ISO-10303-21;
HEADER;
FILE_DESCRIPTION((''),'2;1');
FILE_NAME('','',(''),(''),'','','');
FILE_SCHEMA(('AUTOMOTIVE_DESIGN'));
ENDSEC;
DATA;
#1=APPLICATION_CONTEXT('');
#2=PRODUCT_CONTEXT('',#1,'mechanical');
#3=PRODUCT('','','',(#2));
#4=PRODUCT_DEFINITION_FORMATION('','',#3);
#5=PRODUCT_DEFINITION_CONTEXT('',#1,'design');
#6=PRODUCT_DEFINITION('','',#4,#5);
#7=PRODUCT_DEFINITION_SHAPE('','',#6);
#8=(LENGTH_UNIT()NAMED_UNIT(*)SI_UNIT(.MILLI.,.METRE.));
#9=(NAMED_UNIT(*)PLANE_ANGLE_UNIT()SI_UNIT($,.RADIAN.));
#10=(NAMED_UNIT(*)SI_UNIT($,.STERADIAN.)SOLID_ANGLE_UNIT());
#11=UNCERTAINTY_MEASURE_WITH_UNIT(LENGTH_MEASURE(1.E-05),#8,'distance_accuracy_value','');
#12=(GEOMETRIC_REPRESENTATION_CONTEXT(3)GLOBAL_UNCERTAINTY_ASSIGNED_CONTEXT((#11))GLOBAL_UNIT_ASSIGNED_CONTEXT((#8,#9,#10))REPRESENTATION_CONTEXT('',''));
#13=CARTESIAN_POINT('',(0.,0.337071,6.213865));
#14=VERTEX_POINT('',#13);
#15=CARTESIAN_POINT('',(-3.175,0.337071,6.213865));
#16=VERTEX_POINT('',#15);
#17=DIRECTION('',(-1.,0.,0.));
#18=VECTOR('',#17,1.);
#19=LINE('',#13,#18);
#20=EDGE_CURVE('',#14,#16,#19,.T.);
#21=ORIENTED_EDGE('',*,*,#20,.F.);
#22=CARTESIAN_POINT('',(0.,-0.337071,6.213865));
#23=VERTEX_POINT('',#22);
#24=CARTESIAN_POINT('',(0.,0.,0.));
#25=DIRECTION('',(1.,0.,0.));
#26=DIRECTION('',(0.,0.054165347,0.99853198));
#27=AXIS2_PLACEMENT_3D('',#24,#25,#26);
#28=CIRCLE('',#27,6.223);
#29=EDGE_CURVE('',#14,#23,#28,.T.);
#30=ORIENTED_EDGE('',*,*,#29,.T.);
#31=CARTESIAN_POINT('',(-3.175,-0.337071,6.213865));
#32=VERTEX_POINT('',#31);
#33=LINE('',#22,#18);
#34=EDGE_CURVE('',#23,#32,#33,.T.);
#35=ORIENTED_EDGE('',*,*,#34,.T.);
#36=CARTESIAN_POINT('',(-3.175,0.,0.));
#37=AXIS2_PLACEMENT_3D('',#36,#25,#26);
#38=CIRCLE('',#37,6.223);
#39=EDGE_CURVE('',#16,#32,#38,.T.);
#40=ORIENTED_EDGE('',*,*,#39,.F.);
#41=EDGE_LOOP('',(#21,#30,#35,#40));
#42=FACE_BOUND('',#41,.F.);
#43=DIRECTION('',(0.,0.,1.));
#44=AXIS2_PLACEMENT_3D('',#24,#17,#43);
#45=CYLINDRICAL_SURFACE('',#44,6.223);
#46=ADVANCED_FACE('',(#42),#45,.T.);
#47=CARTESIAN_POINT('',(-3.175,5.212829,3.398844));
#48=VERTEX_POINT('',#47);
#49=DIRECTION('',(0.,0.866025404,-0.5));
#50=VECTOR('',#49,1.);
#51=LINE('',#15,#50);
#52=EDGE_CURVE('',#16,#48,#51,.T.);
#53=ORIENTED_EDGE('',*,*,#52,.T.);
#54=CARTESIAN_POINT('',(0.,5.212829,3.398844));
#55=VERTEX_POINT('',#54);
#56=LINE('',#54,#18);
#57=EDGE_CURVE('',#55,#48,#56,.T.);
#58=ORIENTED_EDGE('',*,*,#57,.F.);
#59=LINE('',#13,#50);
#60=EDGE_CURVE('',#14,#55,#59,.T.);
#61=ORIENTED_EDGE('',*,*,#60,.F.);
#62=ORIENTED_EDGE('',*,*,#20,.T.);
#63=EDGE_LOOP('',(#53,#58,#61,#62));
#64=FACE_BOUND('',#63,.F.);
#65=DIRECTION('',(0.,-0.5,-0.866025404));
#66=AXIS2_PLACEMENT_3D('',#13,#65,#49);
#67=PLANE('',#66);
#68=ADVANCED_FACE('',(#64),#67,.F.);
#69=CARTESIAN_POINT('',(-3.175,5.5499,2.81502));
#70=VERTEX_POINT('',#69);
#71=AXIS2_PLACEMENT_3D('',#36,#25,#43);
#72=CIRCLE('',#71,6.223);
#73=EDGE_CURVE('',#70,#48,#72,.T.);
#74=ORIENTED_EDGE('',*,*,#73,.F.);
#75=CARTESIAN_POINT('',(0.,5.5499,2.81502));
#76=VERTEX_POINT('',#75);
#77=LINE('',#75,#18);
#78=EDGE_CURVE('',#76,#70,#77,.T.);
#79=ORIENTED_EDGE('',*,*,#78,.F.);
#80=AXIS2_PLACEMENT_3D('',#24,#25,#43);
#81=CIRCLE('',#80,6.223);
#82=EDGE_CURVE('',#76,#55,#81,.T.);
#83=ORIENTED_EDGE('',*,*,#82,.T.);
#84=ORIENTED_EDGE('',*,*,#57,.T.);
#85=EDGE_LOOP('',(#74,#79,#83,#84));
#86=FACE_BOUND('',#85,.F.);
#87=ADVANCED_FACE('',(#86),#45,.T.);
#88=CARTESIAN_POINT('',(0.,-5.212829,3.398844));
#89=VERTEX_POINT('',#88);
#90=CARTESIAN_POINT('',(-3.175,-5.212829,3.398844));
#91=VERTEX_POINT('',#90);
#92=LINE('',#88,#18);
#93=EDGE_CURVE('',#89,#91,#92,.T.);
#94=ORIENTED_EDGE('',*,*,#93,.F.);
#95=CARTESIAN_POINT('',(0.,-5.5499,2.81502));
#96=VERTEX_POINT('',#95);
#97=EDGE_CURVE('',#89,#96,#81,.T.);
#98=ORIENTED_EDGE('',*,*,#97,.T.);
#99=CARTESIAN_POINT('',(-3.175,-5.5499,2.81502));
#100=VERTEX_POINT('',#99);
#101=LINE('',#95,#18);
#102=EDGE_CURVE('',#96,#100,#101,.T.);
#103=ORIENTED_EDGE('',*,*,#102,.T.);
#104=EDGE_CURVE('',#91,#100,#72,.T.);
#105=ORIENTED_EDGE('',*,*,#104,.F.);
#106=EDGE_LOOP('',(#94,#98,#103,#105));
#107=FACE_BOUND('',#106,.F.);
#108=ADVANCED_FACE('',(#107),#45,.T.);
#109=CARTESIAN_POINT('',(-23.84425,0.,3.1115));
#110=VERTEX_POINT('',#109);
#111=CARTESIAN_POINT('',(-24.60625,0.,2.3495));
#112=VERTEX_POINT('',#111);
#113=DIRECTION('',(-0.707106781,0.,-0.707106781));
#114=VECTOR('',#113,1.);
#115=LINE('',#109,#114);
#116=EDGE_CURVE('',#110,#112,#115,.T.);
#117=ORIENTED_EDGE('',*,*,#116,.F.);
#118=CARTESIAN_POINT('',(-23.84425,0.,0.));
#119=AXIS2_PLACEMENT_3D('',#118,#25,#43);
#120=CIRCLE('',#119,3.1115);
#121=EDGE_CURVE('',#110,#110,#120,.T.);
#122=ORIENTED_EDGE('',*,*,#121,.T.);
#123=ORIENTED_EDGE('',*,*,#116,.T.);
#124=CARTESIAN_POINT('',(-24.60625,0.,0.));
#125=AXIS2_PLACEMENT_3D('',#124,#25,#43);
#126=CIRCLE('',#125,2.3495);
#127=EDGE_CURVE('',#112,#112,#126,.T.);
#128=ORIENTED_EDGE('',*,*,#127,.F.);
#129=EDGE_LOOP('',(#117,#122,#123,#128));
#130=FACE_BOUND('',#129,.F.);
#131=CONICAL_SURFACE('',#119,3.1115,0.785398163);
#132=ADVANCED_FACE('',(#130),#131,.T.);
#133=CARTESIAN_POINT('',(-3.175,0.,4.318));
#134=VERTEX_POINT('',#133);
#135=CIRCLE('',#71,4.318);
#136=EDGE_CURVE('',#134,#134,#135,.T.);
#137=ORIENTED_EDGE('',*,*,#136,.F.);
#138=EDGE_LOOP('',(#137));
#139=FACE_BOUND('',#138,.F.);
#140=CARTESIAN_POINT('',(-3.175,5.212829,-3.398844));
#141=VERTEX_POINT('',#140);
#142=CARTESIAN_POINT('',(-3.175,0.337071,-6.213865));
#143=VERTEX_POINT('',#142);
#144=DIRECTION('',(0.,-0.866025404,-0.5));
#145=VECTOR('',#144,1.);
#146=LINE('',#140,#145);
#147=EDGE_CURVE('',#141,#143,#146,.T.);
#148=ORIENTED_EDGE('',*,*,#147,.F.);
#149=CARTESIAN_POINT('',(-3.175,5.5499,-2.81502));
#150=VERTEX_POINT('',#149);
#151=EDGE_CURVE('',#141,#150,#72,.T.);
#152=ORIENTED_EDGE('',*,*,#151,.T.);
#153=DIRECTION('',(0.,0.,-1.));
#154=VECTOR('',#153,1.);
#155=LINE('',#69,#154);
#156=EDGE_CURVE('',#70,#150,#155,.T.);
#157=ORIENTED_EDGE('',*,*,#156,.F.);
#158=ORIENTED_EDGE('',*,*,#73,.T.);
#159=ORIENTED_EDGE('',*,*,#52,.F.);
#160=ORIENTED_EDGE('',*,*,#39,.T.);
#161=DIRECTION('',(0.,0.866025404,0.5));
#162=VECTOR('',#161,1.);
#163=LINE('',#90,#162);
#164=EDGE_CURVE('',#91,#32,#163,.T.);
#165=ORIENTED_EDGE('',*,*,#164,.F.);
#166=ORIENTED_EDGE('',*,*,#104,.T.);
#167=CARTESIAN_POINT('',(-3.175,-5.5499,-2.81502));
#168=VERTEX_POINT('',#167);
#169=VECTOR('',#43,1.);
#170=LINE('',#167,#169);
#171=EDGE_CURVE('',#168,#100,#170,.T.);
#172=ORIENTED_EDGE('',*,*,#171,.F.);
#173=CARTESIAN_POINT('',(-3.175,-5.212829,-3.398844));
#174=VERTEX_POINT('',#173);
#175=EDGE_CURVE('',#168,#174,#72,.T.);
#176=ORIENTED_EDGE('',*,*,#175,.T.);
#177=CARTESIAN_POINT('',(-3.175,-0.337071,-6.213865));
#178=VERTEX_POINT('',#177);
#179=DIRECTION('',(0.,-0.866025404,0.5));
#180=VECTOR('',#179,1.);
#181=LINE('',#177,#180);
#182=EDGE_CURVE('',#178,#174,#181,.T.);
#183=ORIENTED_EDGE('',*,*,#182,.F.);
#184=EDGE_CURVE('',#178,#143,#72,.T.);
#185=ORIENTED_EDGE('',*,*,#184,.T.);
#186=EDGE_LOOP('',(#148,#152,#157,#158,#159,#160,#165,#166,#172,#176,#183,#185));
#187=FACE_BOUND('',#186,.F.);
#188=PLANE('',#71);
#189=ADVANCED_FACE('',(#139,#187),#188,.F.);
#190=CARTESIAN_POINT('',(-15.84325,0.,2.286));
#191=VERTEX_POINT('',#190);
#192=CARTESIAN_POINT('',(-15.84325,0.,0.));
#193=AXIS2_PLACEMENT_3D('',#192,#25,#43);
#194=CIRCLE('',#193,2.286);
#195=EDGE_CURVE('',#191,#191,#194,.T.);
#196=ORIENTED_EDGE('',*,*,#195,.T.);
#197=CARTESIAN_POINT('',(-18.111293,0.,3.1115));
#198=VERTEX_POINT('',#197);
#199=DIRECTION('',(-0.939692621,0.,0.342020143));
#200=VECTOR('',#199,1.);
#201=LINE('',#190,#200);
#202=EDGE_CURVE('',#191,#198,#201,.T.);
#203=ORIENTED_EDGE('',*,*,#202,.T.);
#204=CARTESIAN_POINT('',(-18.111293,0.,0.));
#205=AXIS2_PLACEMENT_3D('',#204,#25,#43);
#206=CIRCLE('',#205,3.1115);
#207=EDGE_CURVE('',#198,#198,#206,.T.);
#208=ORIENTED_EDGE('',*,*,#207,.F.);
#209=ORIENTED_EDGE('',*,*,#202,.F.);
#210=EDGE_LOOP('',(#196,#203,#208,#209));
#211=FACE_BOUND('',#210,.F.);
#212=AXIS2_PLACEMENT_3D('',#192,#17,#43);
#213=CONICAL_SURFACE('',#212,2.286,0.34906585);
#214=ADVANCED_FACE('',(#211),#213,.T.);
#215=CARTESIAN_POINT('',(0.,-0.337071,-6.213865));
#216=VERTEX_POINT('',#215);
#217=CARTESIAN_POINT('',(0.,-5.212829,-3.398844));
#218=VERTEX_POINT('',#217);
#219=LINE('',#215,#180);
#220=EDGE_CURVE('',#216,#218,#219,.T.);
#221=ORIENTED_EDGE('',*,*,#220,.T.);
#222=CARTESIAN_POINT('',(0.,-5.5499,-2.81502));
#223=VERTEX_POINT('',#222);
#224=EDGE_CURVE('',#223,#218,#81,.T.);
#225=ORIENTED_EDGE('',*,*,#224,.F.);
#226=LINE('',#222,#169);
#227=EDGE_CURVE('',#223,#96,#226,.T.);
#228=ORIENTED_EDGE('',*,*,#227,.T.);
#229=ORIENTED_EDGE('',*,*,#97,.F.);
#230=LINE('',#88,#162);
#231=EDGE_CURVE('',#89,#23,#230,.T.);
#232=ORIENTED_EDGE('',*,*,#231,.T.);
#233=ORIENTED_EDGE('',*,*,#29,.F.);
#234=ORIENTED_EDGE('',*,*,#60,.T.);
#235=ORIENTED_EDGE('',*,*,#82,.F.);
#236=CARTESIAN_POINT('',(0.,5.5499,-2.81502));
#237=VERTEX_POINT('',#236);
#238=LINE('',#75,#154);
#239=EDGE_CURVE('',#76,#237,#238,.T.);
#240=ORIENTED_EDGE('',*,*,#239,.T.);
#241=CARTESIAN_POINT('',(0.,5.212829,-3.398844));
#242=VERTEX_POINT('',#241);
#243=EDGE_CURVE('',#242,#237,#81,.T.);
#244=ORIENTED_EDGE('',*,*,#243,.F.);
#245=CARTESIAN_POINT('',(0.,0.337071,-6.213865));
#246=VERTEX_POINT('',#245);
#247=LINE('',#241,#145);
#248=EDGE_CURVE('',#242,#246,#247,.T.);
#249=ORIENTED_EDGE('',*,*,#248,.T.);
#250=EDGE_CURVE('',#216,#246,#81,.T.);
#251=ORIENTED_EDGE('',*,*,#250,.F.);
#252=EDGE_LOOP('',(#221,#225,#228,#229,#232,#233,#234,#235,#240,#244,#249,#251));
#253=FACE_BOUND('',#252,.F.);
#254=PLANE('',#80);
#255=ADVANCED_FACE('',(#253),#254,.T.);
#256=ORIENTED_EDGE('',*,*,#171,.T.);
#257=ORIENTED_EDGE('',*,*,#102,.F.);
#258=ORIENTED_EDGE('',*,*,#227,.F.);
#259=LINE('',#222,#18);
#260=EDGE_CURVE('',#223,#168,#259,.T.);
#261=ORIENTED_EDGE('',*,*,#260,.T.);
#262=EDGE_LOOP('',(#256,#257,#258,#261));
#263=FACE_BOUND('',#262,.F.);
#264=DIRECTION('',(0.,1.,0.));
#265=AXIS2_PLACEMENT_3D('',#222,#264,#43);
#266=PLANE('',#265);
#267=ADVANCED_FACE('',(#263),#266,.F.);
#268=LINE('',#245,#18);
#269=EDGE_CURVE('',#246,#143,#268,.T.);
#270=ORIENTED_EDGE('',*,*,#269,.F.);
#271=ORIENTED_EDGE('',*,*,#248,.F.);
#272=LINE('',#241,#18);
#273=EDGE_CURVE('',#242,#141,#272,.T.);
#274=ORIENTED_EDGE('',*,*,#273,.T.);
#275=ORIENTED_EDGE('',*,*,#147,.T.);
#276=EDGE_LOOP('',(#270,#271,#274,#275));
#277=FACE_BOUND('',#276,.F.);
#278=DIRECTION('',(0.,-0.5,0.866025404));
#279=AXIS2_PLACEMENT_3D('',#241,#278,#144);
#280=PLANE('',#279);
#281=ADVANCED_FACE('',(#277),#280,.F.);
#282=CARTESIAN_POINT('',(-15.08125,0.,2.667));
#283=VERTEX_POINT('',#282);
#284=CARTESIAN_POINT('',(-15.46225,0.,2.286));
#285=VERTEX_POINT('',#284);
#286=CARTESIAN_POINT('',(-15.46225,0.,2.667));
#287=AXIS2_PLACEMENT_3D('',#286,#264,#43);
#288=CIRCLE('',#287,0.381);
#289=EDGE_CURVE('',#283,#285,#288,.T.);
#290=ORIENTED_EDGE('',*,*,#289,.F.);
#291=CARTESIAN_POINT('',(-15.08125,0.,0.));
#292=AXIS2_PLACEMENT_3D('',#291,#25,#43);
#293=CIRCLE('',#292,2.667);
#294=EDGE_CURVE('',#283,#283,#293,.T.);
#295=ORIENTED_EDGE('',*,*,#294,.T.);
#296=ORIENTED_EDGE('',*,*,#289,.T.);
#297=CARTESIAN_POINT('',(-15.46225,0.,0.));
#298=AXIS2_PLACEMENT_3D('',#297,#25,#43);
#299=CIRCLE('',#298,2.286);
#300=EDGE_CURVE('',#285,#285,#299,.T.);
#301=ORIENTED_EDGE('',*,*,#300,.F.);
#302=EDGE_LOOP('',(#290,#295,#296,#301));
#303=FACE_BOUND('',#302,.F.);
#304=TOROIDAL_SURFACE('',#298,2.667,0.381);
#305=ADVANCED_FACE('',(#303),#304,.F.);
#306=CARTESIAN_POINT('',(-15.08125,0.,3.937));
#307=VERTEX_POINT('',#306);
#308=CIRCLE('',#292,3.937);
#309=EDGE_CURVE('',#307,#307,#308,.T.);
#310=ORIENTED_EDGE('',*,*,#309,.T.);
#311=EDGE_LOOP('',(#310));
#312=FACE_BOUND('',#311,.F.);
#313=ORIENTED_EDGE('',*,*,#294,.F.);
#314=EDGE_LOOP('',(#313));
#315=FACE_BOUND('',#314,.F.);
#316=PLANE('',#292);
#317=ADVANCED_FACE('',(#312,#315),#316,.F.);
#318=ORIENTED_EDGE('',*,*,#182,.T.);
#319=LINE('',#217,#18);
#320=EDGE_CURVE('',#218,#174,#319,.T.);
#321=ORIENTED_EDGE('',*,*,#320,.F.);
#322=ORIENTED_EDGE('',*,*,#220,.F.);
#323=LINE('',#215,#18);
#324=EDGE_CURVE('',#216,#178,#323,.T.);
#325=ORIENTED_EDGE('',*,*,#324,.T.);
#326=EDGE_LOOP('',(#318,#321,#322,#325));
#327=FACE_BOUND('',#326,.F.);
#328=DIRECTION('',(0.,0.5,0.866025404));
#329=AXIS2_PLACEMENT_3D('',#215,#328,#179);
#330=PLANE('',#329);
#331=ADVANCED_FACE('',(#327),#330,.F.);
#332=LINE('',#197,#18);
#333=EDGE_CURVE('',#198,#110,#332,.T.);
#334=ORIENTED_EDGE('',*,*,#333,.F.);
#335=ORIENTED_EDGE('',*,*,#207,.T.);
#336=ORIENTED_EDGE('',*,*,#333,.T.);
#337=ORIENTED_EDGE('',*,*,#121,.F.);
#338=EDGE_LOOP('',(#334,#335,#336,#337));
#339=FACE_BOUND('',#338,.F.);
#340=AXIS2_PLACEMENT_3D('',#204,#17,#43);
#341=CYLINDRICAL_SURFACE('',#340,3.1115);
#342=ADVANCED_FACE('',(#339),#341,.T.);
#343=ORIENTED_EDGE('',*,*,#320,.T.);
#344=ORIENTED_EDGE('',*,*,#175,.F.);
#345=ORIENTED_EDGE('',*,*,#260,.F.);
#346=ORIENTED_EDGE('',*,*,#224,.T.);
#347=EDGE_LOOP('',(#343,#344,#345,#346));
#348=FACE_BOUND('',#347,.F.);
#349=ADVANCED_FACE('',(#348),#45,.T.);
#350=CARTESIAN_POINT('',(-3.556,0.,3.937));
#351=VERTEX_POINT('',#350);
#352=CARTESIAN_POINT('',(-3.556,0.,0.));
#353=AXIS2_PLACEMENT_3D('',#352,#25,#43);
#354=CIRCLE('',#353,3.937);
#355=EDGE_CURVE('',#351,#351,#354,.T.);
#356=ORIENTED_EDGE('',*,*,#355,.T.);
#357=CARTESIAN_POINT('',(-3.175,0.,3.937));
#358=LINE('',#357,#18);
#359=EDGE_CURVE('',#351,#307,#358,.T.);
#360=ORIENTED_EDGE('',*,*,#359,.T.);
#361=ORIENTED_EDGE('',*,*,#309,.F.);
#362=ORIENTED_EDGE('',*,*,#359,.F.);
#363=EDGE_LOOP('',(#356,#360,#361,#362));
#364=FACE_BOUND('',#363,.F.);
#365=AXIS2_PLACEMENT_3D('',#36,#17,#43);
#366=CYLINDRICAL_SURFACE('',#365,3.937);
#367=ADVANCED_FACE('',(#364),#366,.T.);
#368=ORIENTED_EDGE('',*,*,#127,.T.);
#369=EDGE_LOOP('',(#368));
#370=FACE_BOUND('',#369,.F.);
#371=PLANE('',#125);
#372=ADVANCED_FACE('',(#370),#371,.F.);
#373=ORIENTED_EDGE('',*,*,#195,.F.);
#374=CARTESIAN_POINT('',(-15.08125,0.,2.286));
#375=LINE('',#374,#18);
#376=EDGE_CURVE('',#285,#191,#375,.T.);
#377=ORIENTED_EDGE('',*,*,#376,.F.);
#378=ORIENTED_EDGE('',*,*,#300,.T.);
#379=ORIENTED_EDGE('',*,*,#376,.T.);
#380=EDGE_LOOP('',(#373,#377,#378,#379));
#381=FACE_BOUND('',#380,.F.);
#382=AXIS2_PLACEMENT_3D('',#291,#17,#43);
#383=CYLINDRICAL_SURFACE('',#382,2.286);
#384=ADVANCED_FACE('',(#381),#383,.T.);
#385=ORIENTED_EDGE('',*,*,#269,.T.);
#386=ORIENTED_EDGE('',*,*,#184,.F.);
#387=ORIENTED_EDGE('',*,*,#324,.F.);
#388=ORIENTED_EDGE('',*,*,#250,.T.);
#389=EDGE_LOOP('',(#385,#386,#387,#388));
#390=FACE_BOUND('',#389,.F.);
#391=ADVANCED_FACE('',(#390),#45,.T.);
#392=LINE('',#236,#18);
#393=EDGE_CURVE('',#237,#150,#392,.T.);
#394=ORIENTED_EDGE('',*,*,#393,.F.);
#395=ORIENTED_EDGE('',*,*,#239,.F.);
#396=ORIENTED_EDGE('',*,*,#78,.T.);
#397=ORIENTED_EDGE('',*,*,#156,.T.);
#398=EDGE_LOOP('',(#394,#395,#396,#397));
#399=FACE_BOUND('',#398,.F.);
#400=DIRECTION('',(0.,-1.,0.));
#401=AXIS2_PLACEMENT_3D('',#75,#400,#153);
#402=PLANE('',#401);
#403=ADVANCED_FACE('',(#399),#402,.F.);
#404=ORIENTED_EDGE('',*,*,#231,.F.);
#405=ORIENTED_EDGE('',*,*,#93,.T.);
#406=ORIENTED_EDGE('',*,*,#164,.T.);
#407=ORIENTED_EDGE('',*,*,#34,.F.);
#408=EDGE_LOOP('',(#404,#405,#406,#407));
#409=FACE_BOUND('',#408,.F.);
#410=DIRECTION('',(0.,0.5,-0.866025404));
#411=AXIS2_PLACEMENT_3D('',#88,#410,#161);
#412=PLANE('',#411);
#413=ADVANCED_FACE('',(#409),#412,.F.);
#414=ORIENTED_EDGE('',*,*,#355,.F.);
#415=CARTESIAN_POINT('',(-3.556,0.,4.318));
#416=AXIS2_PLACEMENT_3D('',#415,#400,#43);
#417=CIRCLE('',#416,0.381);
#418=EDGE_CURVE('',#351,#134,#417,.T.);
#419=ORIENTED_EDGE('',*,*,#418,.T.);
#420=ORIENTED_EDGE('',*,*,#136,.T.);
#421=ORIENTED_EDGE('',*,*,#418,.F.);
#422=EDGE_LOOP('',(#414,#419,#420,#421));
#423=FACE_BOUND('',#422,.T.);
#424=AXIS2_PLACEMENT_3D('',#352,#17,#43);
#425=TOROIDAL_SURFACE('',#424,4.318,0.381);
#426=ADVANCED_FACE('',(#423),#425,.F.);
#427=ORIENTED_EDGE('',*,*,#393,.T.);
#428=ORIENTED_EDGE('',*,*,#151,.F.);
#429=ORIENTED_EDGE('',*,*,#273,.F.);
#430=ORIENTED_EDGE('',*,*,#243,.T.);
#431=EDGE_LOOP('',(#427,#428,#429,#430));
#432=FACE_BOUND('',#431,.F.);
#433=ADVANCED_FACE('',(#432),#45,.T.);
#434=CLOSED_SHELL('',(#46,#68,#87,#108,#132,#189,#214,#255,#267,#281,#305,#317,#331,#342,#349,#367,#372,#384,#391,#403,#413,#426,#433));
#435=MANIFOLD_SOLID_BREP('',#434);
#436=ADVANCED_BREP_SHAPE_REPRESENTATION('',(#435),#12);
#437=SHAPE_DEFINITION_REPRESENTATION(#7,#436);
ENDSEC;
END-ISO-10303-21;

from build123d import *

# Parameters (mm, degrees)
F3_DEPTH = 3.175
F4_SIZE  = 0.762
F5_R     = 0.381
F6_R     = 0.381


with BuildPart() as f1:
    # F0 (on Front) → F1 (revolve)
    with BuildSketch(Plane.XZ):
        Polygon((-24.60625, 0), (0, 0), (0, 6.223), (-3.175, 6.223), (-3.175, 3.937), (-15.08125, 3.937), (-15.08125, 2.286), (-15.84325, 2.286), (-18.1112926098, 3.1115), (-24.60625, 3.1115), align=None)
    revolve(axis=Axis((2.7985820894, 0, 0), (1, 0, 0)))

    # F2 (on face) → F3 (cut, through all)
    with BuildSketch(Plane.YZ):
        with BuildLine():
            Line((-5.2128290459, 3.3988442651), (-0.3370709541, 6.2138645119))
            ThreePointArc((-0.3370709541, 6.2138645119), (-3.1115, 5.3892760878), (-5.2128290459, 3.3988442651))
        make_face()
        with BuildLine():
            ThreePointArc((5.2128290459, 3.3988442651), (3.1115, 5.3892760878), (0.3370709541, 6.2138645119))
            Line((0.3370709541, 6.2138645119), (5.2128290459, 3.3988442651))
        make_face()
        with BuildLine():
            ThreePointArc((6.223, 0), (6.0523861699, 1.447187151), (5.5499, 2.8150202468))
            Line((5.5499, 2.8150202468), (5.5499, -2.8150202468))
            ThreePointArc((5.5499, -2.8150202468), (6.0523861699, -1.447187151), (6.223, 0))
        make_face()
        with BuildLine():
            ThreePointArc((0.3370709541, -6.2138645119), (3.1115, -5.3892760878), (5.2128290459, -3.3988442651))
            Line((5.2128290459, -3.3988442651), (0.3370709541, -6.2138645119))
        make_face()
        with BuildLine():
            Line((-0.3370709541, -6.2138645119), (-5.2128290459, -3.3988442651))
            ThreePointArc((-5.2128290459, -3.3988442651), (-3.1115, -5.3892760878), (-0.3370709541, -6.2138645119))
        make_face()
        with BuildLine():
            Line((-5.5499, -2.8150202468), (-5.5499, 2.8150202468))
            ThreePointArc((-5.5499, 2.8150202468), (-6.223, 0), (-5.5499, -2.8150202468))
        make_face()
    extrude(amount=-F3_DEPTH, mode=Mode.SUBTRACT)

    # F4
    f4_edges = [f1.edges().sort_by_distance(p)[0] for p in [
        (-24.60625, 0, -3.1115),
    ]]
    chamfer(f4_edges, length=F4_SIZE)

    # F5
    f5_edges = [f1.edges().sort_by_distance(p)[0] for p in [
        (-3.175, 0, -3.937),
    ]]
    fillet(f5_edges, radius=F5_R)

    # F6
    f6_edges = [f1.edges().sort_by_distance(p)[0] for p in [
        (-15.08125, 0, -2.286),
    ]]
    fillet(f6_edges, radius=F6_R)


solid = f1.part
